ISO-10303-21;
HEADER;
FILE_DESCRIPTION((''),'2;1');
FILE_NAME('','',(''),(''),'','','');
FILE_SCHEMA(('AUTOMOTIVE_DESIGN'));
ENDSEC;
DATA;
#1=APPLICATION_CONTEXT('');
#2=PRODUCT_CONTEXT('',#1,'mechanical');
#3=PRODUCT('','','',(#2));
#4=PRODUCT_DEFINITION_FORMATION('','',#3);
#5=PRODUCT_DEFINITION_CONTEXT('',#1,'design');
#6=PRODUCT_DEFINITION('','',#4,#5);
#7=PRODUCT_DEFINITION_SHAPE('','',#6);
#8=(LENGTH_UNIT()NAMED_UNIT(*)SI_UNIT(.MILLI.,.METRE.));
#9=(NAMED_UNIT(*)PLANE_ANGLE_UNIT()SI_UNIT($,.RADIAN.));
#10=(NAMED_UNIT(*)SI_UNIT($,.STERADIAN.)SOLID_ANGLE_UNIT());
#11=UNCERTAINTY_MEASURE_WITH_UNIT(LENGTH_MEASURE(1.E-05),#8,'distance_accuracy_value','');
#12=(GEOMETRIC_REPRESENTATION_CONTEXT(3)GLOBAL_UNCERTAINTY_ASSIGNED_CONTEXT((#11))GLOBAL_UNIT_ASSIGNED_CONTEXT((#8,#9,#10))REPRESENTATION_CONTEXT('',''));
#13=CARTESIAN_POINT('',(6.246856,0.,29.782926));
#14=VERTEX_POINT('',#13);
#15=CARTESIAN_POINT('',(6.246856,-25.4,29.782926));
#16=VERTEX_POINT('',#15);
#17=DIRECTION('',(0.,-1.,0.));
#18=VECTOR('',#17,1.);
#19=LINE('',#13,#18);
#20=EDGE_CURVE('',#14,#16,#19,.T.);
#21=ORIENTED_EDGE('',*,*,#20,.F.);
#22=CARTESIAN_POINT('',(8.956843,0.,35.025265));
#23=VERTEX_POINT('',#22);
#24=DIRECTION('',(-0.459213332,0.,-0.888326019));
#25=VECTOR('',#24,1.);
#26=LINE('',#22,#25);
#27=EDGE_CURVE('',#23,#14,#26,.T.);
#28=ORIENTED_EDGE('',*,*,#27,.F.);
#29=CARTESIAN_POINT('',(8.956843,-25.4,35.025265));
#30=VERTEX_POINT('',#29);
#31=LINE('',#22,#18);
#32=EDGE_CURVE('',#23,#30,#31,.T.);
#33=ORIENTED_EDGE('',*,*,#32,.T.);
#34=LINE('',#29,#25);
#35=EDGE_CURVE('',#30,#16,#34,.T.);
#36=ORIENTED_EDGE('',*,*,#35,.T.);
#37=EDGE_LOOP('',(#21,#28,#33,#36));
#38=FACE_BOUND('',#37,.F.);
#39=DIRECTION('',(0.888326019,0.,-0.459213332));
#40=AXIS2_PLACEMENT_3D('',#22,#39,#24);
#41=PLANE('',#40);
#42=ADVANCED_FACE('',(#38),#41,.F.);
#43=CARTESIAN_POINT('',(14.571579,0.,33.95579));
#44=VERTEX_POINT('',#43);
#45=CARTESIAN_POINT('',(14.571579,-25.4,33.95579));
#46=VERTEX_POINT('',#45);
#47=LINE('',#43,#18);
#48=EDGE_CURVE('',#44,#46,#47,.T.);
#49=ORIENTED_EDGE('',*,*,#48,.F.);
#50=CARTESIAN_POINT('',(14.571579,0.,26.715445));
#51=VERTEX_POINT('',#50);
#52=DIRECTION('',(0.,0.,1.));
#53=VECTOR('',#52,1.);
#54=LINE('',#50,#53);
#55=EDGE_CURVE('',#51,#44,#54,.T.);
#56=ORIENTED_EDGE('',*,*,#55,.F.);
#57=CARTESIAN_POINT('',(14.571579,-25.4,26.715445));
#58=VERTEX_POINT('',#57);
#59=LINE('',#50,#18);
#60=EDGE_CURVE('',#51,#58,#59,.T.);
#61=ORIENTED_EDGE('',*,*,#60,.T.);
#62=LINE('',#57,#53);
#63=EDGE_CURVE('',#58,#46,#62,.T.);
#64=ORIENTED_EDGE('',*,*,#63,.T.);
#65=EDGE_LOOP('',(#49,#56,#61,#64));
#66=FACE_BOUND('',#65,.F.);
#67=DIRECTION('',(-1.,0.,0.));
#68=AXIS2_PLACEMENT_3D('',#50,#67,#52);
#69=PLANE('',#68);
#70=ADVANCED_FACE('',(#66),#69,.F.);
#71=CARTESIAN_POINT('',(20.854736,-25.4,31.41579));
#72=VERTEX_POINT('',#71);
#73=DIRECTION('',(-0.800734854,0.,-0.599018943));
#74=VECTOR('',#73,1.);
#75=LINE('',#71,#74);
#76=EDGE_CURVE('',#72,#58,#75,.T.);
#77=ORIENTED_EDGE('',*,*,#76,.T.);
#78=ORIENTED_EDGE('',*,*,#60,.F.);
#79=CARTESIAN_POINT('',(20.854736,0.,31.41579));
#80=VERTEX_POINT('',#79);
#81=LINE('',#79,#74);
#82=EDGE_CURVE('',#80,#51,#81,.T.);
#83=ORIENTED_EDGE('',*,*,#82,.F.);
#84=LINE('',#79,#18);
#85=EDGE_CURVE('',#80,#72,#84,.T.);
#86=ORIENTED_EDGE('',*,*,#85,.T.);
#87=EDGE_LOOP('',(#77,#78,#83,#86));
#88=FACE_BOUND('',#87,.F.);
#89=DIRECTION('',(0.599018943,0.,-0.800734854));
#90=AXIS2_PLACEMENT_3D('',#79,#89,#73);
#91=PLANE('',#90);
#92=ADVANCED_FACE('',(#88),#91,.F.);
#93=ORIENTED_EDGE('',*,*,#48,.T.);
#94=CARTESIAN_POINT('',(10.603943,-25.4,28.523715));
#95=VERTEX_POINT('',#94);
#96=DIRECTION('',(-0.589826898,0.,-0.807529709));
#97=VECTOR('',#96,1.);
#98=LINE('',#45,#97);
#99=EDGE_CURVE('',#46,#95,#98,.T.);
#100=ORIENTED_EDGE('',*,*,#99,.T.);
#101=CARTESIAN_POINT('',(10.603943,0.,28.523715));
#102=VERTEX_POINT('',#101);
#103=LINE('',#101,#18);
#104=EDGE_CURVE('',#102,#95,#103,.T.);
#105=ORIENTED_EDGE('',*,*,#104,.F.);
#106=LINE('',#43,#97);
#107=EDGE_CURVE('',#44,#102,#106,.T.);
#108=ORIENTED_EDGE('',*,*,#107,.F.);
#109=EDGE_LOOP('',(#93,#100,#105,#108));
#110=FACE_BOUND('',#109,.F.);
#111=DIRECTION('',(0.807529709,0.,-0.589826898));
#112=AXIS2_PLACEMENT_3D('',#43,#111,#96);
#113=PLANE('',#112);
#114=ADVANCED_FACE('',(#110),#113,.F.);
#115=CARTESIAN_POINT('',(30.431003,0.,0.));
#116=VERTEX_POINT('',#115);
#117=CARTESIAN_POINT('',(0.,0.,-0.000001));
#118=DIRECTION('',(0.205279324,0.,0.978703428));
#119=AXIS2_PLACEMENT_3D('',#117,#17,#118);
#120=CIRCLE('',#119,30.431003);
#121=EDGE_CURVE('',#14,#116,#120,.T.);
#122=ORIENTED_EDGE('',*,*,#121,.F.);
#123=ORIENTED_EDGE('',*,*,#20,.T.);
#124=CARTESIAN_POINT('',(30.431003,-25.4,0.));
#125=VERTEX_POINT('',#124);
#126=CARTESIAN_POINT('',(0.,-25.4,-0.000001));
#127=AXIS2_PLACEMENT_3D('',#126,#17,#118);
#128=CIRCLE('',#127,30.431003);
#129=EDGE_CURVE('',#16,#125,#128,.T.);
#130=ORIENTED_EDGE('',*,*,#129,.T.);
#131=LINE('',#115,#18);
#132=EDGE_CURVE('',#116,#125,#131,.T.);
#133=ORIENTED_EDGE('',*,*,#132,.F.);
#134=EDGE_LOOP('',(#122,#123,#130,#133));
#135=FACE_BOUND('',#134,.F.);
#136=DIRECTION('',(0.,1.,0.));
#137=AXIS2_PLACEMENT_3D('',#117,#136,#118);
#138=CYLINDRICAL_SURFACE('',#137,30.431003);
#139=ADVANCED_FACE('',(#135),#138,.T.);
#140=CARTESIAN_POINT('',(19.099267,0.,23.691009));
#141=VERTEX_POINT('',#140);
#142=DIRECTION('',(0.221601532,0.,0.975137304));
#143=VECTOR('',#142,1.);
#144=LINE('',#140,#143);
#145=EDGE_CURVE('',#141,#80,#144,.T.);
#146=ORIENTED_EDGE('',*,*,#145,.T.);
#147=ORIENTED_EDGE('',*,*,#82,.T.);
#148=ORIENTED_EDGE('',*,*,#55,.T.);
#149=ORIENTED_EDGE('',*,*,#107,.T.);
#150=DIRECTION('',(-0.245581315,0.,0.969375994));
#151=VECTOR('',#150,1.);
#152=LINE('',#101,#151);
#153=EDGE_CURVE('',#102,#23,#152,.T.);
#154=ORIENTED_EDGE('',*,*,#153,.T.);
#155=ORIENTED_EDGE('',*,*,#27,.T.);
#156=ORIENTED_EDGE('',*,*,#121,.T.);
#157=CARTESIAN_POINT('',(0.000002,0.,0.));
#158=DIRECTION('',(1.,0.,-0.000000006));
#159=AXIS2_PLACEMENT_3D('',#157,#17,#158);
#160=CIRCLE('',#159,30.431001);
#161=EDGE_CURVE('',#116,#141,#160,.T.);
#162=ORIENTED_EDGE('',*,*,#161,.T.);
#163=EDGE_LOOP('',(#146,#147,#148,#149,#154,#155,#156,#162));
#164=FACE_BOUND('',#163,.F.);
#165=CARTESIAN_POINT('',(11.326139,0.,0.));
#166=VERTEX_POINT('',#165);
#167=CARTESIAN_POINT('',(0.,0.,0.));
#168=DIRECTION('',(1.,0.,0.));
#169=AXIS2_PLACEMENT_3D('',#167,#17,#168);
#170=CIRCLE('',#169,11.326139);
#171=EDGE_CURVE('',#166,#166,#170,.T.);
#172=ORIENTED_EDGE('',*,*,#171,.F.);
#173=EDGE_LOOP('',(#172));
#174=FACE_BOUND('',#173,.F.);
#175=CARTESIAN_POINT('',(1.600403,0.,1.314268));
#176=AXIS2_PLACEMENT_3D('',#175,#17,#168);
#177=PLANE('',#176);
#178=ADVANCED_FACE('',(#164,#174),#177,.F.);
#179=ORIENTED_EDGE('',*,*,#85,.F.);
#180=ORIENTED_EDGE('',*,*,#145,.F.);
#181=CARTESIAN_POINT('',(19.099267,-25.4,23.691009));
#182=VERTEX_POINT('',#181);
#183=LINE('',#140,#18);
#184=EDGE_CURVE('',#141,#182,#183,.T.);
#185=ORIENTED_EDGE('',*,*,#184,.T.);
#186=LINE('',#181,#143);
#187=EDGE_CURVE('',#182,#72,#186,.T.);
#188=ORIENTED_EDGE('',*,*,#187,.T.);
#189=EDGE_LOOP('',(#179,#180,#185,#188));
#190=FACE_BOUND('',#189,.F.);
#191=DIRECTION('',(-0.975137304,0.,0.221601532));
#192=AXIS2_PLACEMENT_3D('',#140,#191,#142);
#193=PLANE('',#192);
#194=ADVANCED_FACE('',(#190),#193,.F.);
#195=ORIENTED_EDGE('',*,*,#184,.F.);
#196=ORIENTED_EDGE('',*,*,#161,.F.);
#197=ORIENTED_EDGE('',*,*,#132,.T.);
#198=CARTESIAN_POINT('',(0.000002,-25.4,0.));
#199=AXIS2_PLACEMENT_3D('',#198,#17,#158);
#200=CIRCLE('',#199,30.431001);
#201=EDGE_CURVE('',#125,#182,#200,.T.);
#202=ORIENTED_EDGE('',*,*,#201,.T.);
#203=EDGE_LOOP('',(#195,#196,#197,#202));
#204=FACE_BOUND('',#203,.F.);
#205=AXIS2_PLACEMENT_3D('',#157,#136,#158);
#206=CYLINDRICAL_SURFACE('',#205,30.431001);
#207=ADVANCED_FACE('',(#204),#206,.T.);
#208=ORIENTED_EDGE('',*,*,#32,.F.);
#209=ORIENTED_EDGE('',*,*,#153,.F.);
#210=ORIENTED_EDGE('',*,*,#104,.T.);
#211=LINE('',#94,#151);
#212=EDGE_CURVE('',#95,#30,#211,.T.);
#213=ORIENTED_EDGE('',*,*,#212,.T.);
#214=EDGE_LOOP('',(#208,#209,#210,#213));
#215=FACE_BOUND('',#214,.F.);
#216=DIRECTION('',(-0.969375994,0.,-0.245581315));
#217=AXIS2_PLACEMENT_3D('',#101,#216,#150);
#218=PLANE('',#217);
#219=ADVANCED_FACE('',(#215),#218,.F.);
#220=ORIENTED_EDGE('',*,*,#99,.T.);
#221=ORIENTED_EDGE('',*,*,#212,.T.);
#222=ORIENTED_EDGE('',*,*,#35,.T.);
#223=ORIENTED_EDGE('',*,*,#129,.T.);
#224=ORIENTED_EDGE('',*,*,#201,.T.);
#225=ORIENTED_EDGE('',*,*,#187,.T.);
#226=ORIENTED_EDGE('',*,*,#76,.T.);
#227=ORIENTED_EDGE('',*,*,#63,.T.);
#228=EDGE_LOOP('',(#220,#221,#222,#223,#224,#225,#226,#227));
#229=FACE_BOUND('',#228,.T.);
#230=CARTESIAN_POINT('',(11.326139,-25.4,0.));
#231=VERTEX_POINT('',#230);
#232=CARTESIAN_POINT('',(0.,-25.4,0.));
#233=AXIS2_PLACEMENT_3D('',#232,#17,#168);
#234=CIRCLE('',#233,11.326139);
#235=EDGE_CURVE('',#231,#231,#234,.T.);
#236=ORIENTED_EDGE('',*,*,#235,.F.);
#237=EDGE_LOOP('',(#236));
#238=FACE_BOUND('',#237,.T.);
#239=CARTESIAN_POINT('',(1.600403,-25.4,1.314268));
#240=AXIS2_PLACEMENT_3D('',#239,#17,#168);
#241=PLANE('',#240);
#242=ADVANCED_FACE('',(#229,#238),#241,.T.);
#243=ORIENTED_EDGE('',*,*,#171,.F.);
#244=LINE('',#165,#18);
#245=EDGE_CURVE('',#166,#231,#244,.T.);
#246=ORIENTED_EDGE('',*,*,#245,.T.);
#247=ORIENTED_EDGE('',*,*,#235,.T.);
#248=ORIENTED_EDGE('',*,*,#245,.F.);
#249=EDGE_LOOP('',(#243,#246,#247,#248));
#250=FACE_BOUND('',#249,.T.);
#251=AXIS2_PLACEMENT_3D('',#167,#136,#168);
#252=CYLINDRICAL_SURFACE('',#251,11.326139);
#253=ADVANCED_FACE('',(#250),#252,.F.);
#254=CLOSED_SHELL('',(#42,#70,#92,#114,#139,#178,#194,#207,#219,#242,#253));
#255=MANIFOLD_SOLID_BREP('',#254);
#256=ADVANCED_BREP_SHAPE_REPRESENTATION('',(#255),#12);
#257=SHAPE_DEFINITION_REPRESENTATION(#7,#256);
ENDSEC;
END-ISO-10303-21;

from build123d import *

# Parameters (mm, degrees)
F0_R     = 11.326139
F1_DEPTH = 25.4


with BuildPart() as f1:
    # F0 (on Front) → F1 (new body)
    with BuildSketch(Plane.XZ):
        with BuildLine():
            ThreePointArc((6.246856, 29.782926), (-23.623548, -19.182646), (30.431003, 0))
            ThreePointArc((30.431003, 0), (27.452284, 13.130805), (19.099267, 23.691009))
            ThreePointArc((19.099267, 23.691009), (16.903203, 25.304696), (14.571579, 26.715445))
            ThreePointArc((14.571579, 26.715445), (12.62019, 27.690734), (10.603943, 28.523715))
            ThreePointArc((10.603943, 28.523715), (8.448891, 29.234605), (6.246856, 29.782926))
        make_face()
        Circle(F0_R, mode=Mode.SUBTRACT)
        with BuildLine():
            ThreePointArc((14.571579, 26.715445), (16.903203, 25.304696), (19.099267, 23.691009))
            Line((19.099267, 23.691009), (20.854736, 31.41579))
            Line((20.854736, 31.41579), (14.571579, 26.715445))
        make_face()
        with BuildLine():
            Line((8.956843, 35.025265), (6.246856, 29.782926))
            ThreePointArc((6.246856, 29.782926), (8.448891, 29.234605), (10.603943, 28.523715))
            Line((10.603943, 28.523715), (8.956843, 35.025265))
        make_face()
        with BuildLine():
            ThreePointArc((10.603943, 28.523715), (12.62019, 27.690734), (14.571579, 26.715445))
            Line((14.571579, 26.715445), (14.571579, 33.95579))
            Line((14.571579, 33.95579), (10.603943, 28.523715))
        make_face()
    extrude(amount=F1_DEPTH)


solid = f1.part
